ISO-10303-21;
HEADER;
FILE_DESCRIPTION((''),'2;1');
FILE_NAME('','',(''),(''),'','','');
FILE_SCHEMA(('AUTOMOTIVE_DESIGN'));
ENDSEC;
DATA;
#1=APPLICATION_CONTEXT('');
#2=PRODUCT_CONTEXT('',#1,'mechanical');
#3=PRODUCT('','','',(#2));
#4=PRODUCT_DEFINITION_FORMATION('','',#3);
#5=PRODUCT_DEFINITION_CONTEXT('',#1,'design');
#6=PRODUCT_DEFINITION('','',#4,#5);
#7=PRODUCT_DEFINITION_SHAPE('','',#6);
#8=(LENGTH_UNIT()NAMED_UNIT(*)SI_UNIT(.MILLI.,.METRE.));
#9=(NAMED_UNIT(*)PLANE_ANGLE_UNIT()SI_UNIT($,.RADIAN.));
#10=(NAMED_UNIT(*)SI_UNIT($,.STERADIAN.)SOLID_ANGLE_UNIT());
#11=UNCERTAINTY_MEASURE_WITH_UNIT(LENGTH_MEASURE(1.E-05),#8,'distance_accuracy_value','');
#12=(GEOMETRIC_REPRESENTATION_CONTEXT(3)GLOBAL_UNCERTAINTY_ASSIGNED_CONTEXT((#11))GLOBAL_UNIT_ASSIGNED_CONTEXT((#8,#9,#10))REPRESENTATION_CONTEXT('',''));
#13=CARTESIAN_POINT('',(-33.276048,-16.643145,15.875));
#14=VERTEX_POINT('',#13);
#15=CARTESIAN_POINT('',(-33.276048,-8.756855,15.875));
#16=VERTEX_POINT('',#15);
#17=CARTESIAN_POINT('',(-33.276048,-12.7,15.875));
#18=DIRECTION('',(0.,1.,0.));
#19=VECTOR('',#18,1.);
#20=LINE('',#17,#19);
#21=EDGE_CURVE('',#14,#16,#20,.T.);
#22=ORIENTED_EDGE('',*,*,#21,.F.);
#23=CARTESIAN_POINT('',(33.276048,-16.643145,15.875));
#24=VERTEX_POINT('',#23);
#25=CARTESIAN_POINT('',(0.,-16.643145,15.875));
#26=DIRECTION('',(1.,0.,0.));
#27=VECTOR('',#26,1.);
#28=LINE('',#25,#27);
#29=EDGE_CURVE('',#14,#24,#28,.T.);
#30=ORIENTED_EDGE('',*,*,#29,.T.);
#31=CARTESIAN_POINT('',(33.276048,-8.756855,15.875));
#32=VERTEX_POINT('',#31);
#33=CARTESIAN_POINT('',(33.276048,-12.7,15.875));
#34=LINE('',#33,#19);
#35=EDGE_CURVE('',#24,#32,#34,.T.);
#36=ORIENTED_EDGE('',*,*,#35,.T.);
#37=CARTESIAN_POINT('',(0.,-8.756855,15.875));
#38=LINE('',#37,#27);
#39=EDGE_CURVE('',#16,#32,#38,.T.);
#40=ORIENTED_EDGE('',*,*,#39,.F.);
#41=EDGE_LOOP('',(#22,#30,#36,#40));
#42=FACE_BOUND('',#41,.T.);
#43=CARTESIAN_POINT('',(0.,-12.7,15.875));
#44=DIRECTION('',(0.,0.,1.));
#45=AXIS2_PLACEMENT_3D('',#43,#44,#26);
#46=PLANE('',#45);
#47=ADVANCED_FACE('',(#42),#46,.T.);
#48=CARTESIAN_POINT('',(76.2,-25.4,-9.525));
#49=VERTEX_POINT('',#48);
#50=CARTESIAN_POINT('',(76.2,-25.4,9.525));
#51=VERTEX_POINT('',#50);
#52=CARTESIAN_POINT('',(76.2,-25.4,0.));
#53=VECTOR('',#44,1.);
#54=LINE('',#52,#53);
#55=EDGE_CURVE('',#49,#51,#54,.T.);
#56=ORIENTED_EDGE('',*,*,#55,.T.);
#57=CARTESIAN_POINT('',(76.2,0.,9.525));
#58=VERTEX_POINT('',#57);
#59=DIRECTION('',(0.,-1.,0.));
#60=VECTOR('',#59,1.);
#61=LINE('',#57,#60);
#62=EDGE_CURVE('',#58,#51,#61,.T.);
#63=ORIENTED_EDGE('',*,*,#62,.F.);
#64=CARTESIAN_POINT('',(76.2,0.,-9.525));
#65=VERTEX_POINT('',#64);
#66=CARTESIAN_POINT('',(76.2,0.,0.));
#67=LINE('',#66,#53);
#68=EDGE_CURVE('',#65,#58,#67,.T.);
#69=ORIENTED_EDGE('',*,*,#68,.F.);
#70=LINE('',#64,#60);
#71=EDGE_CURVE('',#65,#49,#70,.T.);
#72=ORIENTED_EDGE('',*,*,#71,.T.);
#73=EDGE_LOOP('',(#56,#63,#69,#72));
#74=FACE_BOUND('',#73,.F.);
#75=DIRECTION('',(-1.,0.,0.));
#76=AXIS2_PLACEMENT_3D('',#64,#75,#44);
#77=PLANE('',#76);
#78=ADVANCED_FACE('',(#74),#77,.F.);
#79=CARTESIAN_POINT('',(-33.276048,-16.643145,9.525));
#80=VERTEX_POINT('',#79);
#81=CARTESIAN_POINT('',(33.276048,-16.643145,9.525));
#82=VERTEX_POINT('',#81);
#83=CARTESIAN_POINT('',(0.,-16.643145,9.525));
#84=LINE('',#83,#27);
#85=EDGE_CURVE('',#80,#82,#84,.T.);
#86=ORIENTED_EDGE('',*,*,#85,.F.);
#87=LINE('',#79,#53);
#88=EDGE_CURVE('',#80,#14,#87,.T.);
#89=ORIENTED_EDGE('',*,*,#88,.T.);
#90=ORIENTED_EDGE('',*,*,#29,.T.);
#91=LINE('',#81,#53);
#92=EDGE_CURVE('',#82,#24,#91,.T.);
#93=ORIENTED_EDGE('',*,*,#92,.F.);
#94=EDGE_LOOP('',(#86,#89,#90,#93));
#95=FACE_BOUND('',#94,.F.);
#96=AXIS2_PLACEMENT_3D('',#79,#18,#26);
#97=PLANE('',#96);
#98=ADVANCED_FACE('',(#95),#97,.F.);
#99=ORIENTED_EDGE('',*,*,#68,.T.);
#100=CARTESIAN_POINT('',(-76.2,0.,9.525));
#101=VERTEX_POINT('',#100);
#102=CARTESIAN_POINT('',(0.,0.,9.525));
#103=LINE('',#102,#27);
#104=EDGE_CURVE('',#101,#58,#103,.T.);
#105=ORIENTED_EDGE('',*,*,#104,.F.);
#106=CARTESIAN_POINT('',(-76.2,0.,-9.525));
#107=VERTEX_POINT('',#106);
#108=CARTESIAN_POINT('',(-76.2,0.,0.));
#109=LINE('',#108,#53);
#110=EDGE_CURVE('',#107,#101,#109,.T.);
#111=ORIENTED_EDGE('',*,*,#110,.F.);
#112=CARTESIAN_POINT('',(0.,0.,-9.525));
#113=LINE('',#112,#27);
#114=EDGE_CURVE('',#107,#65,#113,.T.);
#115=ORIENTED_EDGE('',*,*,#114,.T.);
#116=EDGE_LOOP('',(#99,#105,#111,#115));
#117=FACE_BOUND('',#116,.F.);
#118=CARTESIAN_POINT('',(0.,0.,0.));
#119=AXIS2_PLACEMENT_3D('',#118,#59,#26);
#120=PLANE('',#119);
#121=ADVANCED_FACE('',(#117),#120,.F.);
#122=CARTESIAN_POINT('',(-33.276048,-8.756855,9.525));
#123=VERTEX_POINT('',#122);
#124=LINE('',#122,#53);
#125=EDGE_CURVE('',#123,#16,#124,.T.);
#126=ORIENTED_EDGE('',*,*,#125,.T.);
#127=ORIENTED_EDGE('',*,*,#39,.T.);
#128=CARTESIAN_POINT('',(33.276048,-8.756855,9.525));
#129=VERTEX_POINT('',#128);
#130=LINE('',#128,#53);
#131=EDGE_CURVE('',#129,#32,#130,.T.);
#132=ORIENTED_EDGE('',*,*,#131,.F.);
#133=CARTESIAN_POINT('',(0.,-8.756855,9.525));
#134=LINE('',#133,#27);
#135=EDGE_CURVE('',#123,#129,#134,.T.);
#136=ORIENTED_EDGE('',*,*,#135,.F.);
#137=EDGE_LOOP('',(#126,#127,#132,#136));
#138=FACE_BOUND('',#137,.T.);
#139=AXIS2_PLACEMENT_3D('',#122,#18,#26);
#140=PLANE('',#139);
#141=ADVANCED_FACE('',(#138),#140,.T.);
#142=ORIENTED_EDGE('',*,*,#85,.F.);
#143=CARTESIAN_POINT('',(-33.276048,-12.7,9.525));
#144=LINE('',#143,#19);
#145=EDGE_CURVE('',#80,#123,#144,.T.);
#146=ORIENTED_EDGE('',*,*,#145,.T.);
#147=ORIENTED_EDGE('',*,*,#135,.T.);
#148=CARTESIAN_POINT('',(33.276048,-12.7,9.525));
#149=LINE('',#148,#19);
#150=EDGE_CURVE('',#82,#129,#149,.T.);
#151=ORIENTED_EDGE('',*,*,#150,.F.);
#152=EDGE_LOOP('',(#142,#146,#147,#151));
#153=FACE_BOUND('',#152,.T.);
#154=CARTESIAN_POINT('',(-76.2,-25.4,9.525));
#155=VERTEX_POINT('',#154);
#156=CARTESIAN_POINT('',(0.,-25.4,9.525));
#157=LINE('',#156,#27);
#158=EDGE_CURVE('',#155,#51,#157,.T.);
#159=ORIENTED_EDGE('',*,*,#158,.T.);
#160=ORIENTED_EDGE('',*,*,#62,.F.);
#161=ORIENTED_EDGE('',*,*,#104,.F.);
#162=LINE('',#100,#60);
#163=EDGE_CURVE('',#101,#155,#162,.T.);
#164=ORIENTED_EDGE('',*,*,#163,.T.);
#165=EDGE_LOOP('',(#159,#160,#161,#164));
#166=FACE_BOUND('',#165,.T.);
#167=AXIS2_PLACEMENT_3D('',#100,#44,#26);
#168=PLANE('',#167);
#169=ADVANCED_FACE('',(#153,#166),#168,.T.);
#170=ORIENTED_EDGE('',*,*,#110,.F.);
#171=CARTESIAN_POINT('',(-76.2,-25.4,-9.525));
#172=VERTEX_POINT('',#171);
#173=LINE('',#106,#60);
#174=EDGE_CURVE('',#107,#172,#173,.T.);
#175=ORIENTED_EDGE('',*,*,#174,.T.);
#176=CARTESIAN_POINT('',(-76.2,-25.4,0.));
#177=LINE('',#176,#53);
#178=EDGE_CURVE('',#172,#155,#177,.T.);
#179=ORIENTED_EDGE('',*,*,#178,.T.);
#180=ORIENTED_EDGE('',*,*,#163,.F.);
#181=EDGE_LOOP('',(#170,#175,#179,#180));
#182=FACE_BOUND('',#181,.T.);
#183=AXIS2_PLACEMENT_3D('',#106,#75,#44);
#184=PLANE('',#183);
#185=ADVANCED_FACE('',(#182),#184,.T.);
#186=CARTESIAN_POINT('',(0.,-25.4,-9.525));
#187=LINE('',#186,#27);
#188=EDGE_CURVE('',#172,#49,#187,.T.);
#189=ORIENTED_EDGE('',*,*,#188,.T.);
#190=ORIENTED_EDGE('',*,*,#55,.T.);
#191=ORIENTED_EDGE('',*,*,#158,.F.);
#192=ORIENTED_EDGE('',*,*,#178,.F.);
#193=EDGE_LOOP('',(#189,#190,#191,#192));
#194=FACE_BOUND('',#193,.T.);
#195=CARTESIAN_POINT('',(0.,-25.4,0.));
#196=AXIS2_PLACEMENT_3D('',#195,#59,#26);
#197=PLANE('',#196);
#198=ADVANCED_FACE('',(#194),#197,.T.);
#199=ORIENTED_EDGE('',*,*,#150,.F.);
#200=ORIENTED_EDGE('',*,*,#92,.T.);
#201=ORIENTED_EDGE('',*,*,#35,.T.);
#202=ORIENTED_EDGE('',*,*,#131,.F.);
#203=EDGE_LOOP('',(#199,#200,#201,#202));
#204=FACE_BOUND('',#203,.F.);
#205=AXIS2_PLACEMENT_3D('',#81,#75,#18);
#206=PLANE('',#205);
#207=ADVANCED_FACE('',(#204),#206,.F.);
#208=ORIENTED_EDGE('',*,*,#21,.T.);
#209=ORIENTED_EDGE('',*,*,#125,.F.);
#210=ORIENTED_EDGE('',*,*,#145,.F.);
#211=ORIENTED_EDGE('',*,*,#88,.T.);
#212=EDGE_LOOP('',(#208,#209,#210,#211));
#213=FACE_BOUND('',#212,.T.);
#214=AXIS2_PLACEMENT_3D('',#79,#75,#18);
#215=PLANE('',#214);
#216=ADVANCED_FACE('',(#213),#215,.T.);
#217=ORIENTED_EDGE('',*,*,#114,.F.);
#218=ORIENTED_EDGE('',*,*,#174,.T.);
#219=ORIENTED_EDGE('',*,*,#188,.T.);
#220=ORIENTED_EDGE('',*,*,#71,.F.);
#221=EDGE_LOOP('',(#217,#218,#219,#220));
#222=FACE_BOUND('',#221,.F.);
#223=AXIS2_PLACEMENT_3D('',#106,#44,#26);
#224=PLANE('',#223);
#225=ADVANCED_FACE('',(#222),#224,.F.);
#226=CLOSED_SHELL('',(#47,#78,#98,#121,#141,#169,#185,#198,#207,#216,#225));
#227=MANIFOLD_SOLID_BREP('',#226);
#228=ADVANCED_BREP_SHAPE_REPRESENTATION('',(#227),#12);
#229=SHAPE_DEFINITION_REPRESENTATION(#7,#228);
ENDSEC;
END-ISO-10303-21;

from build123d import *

# Parameters (mm, degrees)
F0_W     = 152.4
F0_H     = 19.05
F1_DEPTH = 25.4
F2_W     = 66.552096
F2_H     = 7.88629
F3_DEPTH = 6.35


with BuildPart() as f1:
    # F0 (on Front) → F1 (new body)
    with BuildSketch(Plane.XZ):
        Rectangle(F0_W, F0_H)
    extrude(amount=F1_DEPTH)

    # F2 (on face) → F3 (join)
    with BuildSketch(Plane.XY.offset(9.525)):
        with Locations((0, -12.7)):
            Rectangle(F2_W, F2_H)
    extrude(amount=F3_DEPTH)


solid = f1.part
